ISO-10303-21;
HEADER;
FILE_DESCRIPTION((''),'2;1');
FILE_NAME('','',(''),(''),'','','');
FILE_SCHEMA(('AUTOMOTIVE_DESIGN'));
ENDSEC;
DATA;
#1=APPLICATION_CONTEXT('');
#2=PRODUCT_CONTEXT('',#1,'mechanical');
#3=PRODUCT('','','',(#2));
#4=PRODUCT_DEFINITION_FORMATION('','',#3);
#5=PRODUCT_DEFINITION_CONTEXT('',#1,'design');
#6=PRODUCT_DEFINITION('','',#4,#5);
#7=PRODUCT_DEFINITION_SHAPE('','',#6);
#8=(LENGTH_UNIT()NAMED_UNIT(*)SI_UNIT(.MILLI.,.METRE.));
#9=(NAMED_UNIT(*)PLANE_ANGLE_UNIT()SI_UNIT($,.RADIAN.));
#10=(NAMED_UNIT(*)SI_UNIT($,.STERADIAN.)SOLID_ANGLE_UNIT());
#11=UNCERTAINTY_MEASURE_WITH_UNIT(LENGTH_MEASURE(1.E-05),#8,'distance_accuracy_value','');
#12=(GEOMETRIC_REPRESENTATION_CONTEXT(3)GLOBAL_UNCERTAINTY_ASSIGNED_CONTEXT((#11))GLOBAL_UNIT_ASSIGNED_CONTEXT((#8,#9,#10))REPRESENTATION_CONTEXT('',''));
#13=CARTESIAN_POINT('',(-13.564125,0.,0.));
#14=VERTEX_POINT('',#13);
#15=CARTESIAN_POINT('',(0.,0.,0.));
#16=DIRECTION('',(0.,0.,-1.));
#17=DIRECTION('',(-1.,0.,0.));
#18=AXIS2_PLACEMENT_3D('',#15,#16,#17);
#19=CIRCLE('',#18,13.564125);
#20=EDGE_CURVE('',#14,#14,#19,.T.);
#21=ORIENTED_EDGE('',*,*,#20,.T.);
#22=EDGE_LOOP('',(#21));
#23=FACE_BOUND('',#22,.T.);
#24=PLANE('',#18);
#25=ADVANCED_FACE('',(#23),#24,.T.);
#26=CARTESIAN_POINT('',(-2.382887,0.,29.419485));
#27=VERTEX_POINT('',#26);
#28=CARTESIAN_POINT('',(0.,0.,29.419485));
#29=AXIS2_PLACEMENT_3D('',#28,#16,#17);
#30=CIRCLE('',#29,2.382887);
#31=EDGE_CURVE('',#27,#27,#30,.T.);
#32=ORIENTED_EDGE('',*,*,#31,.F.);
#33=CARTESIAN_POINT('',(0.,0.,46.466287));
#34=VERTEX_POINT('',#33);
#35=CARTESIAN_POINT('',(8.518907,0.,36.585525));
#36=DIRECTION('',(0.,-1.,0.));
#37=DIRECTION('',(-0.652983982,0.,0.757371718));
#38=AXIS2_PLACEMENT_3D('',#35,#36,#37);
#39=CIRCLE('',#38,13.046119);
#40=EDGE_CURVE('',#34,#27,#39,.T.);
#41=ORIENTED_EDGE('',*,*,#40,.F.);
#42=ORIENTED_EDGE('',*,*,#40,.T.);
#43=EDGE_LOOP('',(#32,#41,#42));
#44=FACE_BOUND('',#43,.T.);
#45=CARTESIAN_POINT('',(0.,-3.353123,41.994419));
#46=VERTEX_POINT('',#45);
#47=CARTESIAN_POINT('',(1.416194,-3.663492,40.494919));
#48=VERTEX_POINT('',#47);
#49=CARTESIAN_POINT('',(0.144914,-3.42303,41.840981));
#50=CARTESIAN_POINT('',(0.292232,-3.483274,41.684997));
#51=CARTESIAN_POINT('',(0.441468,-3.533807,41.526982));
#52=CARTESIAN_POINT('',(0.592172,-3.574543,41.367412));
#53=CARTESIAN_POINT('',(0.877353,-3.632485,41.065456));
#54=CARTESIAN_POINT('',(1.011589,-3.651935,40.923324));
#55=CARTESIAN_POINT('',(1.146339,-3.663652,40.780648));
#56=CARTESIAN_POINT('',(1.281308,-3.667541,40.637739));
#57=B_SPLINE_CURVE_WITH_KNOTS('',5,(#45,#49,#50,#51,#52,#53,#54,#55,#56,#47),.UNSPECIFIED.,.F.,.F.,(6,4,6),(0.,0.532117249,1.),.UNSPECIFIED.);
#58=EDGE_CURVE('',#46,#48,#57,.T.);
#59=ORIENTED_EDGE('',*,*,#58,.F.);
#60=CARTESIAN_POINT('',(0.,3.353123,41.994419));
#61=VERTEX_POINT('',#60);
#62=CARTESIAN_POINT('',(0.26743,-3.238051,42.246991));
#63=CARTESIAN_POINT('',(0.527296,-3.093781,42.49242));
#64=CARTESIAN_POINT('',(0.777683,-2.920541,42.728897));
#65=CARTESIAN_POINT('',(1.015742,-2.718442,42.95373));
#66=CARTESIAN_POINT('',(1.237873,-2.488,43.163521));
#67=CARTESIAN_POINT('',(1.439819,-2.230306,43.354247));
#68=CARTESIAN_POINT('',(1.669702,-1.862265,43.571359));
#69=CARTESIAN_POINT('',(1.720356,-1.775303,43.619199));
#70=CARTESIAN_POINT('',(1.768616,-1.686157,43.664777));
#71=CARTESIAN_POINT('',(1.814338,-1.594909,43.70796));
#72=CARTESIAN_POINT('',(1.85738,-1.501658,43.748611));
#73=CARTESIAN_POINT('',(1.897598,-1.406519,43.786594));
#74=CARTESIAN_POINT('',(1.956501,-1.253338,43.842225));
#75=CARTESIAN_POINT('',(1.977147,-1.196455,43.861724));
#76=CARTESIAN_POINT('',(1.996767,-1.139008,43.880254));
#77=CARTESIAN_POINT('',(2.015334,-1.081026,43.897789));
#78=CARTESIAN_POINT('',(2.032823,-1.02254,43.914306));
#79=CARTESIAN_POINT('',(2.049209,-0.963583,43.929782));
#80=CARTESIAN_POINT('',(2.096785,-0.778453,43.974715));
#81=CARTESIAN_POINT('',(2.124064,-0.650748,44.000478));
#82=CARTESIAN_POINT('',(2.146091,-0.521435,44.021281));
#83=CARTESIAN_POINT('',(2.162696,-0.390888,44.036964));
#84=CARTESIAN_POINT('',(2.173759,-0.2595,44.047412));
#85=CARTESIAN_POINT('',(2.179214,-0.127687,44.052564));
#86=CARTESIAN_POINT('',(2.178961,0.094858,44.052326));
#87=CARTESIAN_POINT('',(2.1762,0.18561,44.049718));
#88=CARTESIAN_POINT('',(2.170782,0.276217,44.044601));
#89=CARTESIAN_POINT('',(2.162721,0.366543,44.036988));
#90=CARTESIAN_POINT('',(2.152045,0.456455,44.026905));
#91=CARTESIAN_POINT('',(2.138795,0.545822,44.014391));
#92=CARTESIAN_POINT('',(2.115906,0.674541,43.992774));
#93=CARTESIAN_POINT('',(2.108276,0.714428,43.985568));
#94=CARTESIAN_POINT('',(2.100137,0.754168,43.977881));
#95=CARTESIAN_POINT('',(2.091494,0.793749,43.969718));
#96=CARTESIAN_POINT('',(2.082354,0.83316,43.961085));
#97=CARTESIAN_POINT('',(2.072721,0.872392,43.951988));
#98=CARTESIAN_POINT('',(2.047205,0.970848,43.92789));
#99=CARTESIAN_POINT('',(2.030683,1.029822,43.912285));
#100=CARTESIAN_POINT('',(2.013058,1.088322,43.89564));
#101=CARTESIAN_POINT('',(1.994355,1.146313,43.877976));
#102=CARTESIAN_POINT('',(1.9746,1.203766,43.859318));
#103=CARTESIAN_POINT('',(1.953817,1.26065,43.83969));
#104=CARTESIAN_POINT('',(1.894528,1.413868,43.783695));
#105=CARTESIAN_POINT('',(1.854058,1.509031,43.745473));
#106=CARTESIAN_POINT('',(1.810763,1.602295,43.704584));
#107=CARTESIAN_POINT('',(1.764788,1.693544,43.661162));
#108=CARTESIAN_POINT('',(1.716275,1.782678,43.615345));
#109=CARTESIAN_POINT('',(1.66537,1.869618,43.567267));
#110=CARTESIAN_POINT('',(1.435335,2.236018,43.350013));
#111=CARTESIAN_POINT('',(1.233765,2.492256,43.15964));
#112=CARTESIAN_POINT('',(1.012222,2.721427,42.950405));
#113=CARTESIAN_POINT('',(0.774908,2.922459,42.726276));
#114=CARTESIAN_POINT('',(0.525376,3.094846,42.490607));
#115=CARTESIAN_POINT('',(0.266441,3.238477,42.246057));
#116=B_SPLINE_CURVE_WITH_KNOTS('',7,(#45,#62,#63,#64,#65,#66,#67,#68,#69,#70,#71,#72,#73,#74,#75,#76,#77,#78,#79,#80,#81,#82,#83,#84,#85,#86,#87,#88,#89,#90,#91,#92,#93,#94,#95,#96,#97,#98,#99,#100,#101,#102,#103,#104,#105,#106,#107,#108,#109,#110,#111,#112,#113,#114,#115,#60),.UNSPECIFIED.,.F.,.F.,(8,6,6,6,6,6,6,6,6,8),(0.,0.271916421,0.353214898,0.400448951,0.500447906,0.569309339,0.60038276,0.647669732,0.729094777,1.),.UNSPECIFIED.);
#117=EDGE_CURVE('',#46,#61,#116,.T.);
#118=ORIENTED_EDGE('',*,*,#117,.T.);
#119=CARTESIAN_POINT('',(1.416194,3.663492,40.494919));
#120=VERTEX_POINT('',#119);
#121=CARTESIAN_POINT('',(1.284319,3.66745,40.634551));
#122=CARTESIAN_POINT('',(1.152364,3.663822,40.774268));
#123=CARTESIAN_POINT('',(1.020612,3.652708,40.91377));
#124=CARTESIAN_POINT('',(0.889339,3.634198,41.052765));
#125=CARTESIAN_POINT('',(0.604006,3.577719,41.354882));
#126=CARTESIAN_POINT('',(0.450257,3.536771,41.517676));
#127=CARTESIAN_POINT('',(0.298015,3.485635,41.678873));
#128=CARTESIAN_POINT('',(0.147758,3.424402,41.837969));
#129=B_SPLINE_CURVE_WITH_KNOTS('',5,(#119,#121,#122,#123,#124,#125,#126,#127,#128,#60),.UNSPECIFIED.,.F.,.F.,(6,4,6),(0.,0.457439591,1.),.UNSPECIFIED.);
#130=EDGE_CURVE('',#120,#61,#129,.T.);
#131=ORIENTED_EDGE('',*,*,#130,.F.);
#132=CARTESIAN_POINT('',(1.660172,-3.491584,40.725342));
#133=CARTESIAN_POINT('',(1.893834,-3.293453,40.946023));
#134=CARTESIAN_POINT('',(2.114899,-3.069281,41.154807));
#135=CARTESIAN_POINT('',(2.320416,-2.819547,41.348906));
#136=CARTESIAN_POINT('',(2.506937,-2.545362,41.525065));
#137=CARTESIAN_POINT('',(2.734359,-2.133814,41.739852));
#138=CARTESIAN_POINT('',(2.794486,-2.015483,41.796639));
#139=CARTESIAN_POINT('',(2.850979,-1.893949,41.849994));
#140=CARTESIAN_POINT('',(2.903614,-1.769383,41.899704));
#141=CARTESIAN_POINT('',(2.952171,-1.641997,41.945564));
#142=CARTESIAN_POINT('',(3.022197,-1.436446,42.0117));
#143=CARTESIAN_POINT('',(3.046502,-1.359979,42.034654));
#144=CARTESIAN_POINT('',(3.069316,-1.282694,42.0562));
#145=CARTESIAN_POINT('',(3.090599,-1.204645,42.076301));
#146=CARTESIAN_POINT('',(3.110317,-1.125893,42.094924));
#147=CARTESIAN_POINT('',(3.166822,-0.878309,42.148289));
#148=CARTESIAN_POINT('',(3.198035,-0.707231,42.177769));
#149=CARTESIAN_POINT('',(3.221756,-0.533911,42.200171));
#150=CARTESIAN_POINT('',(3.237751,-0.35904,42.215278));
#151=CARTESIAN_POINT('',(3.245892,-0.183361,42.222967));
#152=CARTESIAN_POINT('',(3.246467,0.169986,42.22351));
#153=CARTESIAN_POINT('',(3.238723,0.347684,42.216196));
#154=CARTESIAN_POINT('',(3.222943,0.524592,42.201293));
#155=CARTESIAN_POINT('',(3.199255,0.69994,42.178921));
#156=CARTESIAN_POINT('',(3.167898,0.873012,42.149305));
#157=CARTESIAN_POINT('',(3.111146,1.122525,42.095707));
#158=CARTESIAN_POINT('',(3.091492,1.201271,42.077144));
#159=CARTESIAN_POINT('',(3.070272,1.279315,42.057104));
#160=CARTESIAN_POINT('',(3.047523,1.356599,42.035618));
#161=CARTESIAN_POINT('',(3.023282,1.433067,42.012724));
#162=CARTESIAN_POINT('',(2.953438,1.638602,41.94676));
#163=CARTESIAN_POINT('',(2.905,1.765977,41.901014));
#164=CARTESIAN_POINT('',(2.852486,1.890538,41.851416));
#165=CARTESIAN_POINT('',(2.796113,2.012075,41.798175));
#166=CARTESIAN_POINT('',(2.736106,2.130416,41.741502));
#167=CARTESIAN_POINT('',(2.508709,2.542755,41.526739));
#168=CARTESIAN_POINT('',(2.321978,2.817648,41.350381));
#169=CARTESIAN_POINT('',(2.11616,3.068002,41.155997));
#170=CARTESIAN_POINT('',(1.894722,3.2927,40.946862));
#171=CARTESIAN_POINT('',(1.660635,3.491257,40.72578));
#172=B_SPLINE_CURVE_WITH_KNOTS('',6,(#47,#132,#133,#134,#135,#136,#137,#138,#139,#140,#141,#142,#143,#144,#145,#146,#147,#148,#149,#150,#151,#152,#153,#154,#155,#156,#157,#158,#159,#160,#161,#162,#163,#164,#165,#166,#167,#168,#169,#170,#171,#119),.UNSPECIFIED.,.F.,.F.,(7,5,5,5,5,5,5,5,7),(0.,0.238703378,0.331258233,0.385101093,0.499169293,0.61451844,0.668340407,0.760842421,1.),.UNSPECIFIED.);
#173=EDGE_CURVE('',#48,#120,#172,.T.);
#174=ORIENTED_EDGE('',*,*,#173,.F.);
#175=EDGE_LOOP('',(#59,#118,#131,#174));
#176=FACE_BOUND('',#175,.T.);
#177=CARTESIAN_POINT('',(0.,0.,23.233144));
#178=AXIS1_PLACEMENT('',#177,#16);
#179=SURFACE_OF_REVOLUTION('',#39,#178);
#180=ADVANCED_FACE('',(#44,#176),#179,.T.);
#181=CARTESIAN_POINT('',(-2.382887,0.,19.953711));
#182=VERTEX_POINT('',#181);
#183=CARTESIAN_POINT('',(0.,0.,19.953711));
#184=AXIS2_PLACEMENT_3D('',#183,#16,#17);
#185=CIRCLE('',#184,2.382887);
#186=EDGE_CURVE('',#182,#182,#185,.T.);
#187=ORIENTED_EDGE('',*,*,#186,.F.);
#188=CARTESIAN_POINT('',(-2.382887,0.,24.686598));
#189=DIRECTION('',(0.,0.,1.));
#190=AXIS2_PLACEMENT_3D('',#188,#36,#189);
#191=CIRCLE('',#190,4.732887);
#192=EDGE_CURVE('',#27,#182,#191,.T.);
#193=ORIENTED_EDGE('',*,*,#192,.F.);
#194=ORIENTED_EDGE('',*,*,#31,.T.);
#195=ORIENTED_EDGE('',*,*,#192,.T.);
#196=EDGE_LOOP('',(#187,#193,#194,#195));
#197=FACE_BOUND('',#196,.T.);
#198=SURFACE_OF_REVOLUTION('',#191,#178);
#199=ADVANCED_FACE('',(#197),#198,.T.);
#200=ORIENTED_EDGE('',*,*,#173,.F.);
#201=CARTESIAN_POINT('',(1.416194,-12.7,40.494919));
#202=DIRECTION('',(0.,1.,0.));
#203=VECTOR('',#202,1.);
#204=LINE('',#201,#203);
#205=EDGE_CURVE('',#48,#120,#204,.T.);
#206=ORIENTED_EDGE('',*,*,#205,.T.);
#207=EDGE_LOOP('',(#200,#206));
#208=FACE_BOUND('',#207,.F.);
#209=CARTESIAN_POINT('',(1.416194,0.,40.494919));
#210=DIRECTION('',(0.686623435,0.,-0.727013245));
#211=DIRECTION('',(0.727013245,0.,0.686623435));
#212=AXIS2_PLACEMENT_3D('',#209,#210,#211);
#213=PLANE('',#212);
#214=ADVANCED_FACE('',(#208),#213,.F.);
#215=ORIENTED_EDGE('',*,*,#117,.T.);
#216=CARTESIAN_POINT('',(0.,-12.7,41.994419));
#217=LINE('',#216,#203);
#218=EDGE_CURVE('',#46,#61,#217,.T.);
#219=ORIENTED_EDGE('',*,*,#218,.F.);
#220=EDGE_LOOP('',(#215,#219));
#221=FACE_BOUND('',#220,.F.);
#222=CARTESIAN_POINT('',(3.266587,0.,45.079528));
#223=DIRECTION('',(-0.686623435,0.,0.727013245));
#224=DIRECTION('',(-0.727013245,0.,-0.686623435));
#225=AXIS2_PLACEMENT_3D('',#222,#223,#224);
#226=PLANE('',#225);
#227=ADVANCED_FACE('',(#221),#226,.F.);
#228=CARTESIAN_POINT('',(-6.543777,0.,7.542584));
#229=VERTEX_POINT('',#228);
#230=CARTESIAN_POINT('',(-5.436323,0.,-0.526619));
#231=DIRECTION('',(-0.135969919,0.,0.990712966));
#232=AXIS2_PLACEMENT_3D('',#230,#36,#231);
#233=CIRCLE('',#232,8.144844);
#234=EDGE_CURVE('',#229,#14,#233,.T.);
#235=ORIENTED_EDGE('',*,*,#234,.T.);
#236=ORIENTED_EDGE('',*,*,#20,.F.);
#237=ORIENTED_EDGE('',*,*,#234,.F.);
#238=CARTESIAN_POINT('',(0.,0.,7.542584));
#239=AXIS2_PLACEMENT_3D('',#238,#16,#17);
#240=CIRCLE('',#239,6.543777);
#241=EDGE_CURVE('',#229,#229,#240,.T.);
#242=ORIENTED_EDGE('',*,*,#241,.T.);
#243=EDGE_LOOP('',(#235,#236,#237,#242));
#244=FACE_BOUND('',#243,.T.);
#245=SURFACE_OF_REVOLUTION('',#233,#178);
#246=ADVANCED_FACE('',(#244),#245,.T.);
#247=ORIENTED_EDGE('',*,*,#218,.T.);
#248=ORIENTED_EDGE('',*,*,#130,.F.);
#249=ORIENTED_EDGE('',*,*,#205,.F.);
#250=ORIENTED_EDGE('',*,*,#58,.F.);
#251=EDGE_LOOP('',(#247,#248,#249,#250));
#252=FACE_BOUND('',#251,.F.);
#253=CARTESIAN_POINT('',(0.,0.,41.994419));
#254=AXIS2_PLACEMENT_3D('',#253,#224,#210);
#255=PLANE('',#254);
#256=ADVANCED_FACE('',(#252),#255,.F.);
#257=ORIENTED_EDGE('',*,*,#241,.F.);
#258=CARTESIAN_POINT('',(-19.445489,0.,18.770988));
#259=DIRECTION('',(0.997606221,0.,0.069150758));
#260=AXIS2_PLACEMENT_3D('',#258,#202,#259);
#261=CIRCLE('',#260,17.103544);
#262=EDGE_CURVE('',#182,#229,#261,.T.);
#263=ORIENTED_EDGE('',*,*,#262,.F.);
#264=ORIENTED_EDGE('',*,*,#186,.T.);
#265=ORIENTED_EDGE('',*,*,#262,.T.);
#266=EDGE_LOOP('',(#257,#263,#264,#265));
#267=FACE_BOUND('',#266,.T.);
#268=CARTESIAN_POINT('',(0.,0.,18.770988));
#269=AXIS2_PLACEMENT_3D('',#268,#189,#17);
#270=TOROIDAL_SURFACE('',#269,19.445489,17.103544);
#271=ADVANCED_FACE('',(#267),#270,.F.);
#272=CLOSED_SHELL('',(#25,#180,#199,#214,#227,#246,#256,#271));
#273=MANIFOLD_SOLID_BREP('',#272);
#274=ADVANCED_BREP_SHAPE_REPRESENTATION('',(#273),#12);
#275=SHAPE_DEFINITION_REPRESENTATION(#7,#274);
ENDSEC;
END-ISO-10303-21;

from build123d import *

# Parameters (mm, degrees)
F3_DEPTH = 12.7


with BuildPart() as f2:
    # F0 (on Front) → F2 (revolve)
    with BuildSketch(Plane.XZ):
        with BuildLine():
            Line((-13.5641247034, 0), (0, 0))
            Line((0, 0), (0, 46.4662872255))
            ThreePointArc((0, 46.4662872255), (-4.4015908808, 38.391616722), (-2.382886596, 29.4194854796))
            ThreePointArc((-2.382886596, 29.4194854796), (-7.1157737157, 24.6865983599), (-2.382886596, 19.9537112402))
            ThreePointArc((-2.382886596, 19.9537112402), (-3.2290141619, 13.334336779), (-6.5437768224, 7.5425841409))
            ThreePointArc((-6.5437768224, 7.5425841409), (-11.3982966721, 5.0225576552), (-13.5641247034, 0))
        make_face()
    revolve(axis=Axis((0, 0, 23.2331436127), (0, 0, -1)))

    # F1 (on Front) → F3 (cut, symmetric)
    with BuildSketch(Plane.XZ):
        Polygon((1.416193787, 40.4949188232), (4.871617537, 43.7583737075), (3.2665874051, 45.0795280268), (0, 41.9944185313), align=None)
    extrude(amount=F3_DEPTH, both=True, mode=Mode.SUBTRACT)


solid = f2.part
